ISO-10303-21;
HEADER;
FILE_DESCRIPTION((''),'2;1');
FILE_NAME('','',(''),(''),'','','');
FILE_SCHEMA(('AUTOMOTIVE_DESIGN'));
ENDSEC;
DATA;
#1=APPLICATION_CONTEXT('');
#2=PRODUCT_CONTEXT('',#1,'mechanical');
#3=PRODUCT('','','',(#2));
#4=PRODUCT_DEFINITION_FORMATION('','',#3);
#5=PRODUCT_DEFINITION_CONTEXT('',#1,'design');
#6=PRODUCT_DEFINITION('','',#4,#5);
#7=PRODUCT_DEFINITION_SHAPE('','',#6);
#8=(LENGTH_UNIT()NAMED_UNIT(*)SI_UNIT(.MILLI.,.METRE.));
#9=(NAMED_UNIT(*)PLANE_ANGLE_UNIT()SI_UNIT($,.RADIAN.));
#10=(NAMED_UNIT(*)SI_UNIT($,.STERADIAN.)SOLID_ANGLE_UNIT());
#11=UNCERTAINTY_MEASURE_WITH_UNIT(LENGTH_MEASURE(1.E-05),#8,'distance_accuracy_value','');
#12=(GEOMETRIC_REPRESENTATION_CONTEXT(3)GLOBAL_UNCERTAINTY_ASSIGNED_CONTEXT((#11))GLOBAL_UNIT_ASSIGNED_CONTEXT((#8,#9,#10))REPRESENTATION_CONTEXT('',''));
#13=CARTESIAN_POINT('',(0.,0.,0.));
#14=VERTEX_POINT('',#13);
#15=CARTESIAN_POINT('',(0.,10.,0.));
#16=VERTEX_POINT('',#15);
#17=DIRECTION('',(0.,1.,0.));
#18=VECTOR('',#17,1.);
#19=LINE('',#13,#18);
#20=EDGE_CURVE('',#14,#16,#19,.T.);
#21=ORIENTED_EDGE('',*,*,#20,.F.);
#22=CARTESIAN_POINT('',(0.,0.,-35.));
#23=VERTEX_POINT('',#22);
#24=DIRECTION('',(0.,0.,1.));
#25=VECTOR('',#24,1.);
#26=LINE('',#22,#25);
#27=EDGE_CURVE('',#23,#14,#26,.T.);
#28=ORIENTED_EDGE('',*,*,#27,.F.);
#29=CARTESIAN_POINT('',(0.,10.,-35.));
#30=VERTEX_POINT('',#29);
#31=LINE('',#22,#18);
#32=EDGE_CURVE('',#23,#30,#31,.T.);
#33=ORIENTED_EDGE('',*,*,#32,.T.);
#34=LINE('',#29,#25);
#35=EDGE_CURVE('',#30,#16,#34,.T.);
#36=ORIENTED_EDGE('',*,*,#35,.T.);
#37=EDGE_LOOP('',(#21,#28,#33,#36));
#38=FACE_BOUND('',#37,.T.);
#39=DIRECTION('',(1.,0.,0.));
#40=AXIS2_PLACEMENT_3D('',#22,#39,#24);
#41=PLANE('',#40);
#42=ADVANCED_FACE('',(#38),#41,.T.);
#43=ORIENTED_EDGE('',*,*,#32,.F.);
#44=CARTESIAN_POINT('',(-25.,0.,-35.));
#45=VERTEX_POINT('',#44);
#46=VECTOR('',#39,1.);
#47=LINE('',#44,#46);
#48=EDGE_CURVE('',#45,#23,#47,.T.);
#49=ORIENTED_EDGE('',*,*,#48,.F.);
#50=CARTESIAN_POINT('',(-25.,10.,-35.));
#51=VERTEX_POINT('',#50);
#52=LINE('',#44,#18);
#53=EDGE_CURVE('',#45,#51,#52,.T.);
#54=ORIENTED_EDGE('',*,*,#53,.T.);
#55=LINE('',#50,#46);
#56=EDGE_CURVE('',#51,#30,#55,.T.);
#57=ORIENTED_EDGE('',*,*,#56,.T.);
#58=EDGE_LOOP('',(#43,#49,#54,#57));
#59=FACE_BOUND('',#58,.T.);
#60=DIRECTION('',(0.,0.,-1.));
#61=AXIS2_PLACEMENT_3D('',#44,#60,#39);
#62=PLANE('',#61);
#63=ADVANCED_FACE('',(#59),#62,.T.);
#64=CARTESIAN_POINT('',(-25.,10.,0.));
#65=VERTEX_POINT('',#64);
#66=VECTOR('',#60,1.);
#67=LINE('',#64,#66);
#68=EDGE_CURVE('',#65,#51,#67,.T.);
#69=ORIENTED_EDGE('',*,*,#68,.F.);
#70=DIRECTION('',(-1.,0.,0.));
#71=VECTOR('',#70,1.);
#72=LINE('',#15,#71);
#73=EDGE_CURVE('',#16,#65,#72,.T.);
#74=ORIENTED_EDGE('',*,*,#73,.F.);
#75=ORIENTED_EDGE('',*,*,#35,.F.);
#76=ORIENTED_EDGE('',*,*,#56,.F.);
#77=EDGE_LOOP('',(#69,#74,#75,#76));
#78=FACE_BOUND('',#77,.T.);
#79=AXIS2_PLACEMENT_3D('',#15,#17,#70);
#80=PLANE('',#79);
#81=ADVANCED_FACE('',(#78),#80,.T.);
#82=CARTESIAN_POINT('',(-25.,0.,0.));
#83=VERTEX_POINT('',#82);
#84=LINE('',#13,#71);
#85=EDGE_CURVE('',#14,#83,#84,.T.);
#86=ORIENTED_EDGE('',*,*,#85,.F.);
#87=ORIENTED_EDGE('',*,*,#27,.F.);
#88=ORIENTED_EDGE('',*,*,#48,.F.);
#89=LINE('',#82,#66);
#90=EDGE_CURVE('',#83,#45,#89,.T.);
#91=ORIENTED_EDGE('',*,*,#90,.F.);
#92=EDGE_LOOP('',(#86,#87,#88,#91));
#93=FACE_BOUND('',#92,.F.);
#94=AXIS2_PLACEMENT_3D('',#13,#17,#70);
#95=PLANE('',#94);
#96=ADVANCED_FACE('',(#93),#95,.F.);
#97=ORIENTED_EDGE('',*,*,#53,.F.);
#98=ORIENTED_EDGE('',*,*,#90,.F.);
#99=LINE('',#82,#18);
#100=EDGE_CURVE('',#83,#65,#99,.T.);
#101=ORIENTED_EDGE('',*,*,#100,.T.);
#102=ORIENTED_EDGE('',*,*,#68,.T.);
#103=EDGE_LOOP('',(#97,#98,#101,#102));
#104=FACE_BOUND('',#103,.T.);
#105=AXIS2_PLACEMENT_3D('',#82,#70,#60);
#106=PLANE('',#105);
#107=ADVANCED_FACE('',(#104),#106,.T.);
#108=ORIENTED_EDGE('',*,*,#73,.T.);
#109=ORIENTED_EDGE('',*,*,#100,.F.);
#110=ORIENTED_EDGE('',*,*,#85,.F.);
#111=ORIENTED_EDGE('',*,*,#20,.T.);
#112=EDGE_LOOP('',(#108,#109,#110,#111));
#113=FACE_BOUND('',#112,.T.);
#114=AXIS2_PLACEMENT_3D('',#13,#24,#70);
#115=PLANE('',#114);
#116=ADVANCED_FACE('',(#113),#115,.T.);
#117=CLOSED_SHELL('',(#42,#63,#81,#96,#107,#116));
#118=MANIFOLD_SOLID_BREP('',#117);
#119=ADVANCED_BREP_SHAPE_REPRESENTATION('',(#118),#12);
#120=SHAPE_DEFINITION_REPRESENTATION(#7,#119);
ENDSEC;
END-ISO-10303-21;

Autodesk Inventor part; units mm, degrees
ref_plane "YZ Plane" through (0, 0, 0) normal (1, 0, 0) x (0, 1, 0)
ref_plane "XZ Plane" through (0, 0, 0) normal (0, 1, 0) x (-1, 0, 0)
ref_plane "XY Plane" through (0, 0, 0) normal (0, 0, 1) x (1, 0, 0)
sketch "スケッチ1" plane through (0, 0, 0) normal (0, 1, 0) x (-1, 0, 0)
  line L0 (0, 0) -> (25, 0)
  line L1 (25, 0) -> (25, -35)
  line L2 (25, -35) -> (0, -35)
  line L3 (0, -35) -> (0, 0)
  dimension "d0" = 25
  dimension "d1" = 35
extrude "押し出し1" add sketch "スケッチ1" along normal blind 10
properties part number "xBee"
